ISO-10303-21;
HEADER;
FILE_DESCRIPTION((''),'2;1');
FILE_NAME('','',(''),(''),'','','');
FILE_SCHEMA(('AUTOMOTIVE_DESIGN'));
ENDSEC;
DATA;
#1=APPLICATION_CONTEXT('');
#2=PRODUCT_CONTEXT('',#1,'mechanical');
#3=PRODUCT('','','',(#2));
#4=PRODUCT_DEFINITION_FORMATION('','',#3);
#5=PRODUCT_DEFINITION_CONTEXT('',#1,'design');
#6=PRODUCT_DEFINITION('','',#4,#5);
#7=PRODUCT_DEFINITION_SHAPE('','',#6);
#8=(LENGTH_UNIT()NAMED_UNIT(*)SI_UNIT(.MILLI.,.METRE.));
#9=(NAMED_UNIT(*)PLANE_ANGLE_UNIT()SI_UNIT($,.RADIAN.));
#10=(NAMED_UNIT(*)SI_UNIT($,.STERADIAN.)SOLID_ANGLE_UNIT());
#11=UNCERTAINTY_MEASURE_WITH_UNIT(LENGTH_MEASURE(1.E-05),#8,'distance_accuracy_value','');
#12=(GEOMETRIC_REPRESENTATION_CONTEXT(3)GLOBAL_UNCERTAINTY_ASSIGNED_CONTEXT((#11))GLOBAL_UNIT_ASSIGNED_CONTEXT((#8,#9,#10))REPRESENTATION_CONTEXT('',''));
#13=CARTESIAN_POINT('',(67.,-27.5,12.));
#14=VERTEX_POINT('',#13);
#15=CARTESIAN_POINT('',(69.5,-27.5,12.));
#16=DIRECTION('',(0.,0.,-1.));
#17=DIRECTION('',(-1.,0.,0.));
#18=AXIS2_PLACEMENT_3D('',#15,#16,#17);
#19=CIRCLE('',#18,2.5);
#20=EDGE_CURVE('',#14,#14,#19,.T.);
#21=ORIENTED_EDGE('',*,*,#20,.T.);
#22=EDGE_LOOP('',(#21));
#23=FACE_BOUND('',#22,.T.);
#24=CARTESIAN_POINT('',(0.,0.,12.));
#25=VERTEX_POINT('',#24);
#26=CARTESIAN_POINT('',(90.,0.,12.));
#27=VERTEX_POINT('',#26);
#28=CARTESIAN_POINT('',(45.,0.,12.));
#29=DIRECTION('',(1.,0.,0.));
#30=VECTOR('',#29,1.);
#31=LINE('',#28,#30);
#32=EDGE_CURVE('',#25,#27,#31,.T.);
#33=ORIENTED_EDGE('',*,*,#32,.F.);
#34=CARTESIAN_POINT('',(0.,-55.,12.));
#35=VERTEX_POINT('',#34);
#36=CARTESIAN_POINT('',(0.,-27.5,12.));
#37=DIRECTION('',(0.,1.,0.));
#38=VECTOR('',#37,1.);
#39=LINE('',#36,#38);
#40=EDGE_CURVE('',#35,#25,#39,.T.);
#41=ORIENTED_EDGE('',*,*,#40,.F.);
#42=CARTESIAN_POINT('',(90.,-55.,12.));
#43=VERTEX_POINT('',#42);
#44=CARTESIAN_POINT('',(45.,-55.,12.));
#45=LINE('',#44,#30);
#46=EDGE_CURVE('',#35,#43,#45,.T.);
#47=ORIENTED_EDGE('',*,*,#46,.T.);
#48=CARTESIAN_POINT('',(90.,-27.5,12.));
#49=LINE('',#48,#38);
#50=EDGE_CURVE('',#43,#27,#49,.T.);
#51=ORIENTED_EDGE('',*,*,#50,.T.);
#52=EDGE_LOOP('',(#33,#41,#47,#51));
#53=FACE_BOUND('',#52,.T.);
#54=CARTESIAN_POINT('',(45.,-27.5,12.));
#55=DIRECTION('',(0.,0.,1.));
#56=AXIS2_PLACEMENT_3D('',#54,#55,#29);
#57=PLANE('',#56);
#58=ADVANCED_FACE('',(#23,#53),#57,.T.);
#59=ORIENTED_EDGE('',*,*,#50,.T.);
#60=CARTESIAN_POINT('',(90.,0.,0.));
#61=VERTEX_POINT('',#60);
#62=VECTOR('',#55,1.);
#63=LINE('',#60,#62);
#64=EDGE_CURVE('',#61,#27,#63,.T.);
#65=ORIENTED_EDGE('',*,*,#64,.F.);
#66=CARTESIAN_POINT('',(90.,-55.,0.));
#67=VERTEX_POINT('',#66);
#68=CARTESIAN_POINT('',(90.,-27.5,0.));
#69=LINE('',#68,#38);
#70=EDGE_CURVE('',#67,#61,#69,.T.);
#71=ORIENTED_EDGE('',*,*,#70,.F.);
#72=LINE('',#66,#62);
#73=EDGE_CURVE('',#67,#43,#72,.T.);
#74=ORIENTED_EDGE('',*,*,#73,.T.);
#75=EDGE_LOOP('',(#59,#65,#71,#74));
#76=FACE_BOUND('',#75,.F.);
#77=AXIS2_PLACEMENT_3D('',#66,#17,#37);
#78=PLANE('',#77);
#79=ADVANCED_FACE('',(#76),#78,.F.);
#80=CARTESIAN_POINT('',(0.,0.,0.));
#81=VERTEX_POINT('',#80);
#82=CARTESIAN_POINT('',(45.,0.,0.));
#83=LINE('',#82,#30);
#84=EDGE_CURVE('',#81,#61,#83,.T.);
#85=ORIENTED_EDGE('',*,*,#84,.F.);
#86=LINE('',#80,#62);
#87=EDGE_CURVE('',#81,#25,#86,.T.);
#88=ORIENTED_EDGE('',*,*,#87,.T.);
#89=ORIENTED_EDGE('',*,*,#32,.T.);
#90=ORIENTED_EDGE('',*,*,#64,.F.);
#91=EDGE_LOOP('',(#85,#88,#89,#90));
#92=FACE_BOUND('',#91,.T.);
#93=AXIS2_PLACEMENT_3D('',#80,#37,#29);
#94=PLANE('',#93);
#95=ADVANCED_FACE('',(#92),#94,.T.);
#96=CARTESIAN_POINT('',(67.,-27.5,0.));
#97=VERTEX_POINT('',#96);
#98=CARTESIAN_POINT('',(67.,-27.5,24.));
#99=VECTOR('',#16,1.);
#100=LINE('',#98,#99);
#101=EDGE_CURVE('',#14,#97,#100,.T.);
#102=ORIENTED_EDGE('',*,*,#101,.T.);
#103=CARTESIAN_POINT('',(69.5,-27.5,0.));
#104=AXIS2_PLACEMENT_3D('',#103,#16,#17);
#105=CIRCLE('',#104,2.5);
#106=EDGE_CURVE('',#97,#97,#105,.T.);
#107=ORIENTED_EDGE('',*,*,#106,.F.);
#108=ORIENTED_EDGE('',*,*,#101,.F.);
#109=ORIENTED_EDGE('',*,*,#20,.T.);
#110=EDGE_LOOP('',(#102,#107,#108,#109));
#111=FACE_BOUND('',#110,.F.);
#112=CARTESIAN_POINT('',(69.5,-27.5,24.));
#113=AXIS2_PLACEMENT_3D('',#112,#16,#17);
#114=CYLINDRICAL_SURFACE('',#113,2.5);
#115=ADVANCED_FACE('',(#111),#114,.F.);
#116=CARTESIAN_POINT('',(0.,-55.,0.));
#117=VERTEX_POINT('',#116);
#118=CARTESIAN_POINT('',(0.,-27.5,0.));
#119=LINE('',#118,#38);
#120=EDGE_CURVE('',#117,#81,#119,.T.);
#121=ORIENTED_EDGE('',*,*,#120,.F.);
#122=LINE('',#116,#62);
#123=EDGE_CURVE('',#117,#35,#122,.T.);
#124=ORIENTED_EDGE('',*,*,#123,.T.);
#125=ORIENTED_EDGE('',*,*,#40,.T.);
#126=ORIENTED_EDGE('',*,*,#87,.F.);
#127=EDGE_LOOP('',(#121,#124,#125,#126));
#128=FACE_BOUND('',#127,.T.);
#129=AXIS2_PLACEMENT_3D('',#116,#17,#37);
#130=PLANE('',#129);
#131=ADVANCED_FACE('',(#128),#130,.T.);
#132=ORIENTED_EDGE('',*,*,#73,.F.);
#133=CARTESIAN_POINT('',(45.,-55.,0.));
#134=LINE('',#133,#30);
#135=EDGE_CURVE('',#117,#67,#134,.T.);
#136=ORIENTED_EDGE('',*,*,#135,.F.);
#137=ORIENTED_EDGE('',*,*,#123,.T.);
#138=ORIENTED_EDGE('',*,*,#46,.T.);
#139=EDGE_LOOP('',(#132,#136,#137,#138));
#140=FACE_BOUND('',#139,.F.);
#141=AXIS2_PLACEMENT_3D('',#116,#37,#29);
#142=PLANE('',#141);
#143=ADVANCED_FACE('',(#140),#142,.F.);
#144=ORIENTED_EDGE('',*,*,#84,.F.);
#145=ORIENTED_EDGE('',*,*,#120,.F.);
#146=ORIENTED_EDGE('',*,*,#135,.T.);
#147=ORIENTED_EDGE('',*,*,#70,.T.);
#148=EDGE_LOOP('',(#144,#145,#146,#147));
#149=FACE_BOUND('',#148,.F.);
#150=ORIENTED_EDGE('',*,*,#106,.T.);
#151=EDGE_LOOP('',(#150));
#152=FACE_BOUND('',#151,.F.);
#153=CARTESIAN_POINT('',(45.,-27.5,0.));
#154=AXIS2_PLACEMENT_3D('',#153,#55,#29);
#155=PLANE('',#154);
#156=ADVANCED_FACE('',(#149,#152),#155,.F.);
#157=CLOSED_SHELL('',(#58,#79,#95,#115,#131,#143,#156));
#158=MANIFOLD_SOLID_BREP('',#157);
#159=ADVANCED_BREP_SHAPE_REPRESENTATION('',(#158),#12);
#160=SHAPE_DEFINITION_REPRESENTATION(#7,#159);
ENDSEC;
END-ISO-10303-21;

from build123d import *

# Parameters (mm, degrees)
F0_W     = 90
F0_H     = 55
F1_DEPTH = 12
F3_D     = 5
F3_DEPTH = 12


with BuildPart() as f1:
    # F0 (on Top) → F1 (new body)
    with BuildSketch(Plane.XY):
        with Locations((45, -27.5)):
            Rectangle(F0_W, F0_H)
    extrude(amount=F1_DEPTH)

    # F3
    with Locations(Plane.XY.offset(12)):
        with Locations((69.5, -27.5)):
            Hole(F3_D / 2, depth=F3_DEPTH)


solid = f1.part
